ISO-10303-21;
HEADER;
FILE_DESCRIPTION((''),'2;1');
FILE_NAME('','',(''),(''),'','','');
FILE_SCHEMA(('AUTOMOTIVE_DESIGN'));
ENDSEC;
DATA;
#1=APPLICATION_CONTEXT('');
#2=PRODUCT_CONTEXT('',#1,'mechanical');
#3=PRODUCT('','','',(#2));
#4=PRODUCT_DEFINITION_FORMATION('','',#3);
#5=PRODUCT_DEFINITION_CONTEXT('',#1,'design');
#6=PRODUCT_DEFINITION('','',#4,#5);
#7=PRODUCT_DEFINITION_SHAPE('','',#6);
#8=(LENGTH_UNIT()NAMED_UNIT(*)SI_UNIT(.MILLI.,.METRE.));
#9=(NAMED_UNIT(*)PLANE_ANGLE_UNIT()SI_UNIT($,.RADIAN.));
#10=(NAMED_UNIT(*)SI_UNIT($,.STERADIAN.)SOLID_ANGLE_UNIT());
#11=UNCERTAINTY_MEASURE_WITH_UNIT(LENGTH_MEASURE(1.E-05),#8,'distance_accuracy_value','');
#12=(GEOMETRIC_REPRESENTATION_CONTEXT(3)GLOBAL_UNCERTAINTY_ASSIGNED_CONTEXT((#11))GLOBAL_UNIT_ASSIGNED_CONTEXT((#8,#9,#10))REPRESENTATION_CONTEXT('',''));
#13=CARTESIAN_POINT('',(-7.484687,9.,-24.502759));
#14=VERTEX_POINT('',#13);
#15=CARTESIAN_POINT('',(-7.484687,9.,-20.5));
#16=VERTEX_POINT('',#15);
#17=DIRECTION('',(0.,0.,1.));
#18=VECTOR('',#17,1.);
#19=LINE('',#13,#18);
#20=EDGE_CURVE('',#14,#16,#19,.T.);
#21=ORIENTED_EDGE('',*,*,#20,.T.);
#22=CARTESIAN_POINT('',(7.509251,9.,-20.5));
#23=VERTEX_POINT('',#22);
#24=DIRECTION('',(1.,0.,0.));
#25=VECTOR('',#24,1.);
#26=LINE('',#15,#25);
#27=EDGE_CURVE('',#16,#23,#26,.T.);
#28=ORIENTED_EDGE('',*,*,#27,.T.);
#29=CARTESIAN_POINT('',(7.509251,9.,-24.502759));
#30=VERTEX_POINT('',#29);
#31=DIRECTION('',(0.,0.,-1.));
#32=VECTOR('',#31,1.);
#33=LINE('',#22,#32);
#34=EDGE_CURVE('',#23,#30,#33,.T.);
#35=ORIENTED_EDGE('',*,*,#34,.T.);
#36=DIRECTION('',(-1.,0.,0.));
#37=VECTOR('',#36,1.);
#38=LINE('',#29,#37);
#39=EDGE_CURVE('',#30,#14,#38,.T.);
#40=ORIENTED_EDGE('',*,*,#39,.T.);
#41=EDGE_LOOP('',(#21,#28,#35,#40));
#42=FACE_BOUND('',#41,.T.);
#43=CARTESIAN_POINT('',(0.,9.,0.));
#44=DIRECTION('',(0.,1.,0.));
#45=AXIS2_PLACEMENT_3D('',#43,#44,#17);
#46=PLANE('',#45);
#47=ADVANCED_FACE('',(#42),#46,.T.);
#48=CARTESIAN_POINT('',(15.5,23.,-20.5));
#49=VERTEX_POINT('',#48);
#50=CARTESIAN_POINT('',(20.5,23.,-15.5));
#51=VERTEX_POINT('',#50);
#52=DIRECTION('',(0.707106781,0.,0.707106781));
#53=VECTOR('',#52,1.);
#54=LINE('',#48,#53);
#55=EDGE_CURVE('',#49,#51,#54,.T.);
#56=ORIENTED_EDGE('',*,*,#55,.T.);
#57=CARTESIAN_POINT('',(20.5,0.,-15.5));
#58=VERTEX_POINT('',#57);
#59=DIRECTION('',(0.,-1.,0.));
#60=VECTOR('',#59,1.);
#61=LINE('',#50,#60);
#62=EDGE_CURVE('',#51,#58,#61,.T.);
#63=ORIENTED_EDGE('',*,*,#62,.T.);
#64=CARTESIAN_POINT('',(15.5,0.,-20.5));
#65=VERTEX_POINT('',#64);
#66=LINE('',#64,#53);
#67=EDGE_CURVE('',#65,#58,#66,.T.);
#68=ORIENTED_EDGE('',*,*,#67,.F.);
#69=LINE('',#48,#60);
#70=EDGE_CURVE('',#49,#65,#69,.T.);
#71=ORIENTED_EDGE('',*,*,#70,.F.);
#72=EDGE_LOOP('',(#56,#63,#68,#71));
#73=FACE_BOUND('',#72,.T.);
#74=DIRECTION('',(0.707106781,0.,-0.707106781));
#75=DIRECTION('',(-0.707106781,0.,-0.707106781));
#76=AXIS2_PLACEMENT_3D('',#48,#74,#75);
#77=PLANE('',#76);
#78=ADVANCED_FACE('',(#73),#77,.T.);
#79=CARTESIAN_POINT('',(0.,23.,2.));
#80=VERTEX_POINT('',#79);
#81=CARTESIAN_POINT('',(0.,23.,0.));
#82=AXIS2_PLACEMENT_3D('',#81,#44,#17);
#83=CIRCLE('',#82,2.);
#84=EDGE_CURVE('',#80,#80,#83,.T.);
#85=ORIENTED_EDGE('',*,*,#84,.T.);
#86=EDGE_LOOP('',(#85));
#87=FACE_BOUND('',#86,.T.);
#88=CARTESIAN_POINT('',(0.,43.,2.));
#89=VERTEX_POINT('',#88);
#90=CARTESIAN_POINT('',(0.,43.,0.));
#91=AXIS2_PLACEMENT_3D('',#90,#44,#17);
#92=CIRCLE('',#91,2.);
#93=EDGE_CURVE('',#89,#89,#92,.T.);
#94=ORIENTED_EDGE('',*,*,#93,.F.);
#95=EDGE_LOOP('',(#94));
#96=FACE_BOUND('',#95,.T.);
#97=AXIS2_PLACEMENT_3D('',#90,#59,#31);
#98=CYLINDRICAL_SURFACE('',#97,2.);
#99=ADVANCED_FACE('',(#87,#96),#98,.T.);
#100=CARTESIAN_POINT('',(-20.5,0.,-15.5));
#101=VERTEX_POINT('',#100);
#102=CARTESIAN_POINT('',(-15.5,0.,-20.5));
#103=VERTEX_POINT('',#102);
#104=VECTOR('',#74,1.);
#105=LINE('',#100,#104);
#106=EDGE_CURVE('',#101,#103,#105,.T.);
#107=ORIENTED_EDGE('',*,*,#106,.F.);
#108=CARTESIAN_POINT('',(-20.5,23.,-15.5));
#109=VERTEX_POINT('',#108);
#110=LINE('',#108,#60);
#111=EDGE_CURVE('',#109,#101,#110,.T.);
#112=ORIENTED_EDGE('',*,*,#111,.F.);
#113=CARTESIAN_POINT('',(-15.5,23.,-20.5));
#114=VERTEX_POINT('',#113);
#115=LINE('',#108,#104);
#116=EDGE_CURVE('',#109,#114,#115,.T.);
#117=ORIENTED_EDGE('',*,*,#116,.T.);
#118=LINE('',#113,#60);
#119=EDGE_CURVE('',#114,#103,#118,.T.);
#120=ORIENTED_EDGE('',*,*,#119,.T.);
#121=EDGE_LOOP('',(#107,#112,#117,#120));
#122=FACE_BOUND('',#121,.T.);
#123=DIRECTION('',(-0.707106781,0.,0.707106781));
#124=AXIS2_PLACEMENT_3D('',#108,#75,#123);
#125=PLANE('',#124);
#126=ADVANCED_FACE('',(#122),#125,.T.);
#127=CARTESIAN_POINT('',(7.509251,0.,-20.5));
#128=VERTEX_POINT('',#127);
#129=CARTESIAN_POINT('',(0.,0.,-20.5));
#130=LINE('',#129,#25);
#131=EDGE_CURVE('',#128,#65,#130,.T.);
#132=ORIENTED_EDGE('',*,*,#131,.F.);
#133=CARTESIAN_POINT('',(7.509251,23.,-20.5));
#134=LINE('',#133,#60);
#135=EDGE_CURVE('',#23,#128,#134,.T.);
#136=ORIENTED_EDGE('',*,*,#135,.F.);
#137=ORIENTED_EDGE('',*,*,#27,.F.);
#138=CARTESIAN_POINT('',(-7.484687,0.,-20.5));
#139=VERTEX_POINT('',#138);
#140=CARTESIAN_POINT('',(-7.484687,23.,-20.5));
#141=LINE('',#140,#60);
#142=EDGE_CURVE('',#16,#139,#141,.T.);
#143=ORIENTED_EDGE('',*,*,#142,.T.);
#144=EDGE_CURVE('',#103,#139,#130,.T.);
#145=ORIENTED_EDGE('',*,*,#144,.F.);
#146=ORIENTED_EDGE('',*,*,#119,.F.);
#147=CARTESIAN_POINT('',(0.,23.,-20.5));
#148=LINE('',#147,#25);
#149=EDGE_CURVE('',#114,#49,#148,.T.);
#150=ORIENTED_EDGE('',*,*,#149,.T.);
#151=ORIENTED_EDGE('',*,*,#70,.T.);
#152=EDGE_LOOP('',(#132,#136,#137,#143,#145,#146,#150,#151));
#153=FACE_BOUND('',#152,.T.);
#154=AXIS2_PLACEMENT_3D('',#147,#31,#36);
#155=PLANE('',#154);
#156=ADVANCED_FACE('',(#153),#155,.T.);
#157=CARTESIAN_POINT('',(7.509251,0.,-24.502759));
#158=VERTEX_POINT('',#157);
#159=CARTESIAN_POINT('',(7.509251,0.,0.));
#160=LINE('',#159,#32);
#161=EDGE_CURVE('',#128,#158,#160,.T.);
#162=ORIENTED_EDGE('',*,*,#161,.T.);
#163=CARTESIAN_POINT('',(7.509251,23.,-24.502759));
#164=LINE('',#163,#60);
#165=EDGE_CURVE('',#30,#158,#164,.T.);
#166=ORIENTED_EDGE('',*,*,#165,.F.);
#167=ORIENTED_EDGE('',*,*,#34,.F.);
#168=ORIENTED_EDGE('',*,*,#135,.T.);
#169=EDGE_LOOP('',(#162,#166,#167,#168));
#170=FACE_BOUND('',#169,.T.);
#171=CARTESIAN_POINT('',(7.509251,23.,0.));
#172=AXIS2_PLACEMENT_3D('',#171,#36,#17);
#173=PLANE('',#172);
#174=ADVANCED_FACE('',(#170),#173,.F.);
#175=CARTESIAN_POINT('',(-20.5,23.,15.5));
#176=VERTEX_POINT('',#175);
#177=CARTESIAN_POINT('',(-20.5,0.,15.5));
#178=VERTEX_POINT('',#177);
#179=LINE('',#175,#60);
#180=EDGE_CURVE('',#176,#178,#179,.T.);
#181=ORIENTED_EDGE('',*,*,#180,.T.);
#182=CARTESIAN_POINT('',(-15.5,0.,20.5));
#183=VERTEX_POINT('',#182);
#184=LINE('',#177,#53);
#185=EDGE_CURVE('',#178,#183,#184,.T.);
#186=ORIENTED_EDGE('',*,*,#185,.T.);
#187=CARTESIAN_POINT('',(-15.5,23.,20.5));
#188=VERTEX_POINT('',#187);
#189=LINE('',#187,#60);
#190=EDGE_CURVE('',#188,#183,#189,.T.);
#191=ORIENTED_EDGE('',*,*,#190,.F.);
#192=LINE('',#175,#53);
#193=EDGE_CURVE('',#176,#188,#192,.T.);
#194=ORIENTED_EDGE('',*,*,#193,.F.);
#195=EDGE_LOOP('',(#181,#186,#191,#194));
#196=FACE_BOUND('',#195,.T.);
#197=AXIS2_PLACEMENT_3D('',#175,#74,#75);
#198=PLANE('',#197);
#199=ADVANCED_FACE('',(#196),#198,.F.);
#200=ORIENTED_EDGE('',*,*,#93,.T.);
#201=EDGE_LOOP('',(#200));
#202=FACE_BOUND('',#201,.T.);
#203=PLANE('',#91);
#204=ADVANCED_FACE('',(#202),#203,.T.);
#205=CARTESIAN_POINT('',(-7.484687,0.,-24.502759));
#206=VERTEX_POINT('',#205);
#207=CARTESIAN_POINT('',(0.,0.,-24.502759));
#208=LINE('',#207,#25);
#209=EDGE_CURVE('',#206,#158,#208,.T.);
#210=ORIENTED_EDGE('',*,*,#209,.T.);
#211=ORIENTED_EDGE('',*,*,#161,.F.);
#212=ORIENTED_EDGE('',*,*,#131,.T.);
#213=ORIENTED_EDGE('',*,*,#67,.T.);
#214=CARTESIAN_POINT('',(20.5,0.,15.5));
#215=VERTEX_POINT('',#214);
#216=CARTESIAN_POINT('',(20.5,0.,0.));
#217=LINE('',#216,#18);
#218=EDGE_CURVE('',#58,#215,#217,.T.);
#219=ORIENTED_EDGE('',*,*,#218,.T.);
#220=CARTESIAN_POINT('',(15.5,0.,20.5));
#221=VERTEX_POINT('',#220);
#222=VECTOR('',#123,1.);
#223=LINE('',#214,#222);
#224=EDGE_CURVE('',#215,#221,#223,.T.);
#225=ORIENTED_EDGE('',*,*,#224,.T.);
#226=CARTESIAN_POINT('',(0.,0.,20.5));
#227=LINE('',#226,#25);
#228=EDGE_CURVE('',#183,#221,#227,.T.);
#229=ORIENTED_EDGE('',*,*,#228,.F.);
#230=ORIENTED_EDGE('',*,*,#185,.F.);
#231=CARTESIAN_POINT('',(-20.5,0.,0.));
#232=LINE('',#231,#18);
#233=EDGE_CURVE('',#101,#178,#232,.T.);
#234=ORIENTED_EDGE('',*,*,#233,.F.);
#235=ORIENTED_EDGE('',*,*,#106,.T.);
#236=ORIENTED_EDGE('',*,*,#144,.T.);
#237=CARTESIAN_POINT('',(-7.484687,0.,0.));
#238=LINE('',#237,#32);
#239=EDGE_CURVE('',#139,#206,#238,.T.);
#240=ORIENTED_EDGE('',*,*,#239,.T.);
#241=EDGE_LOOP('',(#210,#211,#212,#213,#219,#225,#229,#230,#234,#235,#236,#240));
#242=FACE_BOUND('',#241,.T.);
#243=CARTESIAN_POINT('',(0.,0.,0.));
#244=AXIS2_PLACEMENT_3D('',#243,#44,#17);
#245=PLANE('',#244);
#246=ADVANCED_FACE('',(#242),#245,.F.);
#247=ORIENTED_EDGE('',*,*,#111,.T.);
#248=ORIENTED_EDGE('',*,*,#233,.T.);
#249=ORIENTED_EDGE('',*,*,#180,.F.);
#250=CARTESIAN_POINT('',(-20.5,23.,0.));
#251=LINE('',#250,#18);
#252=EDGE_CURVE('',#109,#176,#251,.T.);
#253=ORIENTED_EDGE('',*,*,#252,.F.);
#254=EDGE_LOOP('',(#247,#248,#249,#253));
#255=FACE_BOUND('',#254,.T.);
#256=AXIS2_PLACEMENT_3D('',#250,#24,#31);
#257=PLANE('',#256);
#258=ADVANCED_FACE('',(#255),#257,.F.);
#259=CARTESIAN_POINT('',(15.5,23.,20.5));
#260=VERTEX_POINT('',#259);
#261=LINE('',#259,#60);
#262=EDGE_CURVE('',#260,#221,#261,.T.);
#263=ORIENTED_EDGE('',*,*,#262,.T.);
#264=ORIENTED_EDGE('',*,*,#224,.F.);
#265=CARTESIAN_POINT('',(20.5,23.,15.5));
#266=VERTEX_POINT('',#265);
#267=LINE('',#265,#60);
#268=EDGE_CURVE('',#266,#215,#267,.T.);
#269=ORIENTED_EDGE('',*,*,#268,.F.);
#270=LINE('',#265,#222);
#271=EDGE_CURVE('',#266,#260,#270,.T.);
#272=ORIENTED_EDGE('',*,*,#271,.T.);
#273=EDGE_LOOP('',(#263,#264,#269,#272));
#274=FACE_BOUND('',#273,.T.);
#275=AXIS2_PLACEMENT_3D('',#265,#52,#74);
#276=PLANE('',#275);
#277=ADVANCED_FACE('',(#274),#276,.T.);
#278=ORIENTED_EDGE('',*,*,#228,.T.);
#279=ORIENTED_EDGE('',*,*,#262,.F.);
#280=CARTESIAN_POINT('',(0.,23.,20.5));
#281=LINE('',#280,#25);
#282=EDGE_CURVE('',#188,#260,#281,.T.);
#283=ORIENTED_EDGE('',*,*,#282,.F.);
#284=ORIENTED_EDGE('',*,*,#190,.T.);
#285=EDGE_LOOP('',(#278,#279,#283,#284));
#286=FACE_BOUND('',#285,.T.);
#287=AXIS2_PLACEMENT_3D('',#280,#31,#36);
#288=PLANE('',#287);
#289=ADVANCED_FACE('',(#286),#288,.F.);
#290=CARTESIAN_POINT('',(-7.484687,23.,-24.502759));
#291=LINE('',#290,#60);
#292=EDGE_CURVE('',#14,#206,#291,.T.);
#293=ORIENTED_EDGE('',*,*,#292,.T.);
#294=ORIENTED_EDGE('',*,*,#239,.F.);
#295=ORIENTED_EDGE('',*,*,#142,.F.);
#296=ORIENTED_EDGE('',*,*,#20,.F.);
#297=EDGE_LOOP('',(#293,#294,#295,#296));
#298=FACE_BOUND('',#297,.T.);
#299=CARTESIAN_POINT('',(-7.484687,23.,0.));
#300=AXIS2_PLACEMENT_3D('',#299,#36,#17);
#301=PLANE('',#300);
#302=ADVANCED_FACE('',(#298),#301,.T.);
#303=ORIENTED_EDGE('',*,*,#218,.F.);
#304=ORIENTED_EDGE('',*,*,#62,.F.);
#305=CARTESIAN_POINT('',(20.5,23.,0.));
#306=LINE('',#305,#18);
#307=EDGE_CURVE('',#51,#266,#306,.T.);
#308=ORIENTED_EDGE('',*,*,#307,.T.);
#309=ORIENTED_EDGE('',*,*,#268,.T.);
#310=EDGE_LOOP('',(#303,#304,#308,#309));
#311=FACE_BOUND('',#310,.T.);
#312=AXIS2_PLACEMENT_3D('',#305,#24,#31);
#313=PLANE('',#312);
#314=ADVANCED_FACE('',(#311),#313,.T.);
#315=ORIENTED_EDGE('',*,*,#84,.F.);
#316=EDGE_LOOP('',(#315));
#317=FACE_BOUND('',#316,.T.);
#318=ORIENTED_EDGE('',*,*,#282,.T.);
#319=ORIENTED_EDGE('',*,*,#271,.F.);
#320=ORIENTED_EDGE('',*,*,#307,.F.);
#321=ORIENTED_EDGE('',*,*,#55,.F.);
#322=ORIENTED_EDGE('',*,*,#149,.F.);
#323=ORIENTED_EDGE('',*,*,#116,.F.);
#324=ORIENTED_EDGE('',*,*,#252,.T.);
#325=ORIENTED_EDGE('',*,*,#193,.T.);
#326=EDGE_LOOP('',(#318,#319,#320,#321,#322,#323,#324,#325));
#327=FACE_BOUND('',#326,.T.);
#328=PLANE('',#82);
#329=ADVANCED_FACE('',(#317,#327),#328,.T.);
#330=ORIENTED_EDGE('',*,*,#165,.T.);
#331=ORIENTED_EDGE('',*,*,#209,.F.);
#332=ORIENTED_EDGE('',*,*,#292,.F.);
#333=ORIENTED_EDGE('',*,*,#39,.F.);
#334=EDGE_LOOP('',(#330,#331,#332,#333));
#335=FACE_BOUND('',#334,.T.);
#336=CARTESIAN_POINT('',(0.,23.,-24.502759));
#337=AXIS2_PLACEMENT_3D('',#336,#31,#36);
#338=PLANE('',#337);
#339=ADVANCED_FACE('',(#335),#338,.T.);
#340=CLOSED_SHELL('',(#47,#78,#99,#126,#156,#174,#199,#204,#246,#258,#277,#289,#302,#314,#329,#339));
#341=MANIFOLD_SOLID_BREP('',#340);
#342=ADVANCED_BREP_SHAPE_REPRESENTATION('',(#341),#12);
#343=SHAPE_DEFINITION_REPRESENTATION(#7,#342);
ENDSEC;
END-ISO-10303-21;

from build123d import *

# Parameters (mm, degrees)
SKETCH2_W            = 41
SKETCH2_H            = 41
SKETCH2_W_2          = 14.993938253
SKETCH2_H_2          = 4.00275912
BOSS_EXTRUDE7_DEPTH  = 23
CUT_EXTRUDE1_DEPTH   = 23
CUT_EXTRUDE3_DEPTH   = 23
SKETCH8_W            = 14.993938253
SKETCH8_H            = 4.00275912
CUT_EXTRUDE4_DEPTH   = 14
SKETCH3_R            = 2
BOSS_EXTRUDE11_DEPTH = 20


with BuildPart() as part:
    # Sketch2 → Boss-Extrude7 (new body)
    with BuildSketch(Plane(origin=(0, 0, 0), x_dir=(1, 0, 0), z_dir=(0, 1, 0))):
        Rectangle(SKETCH2_W, SKETCH2_H)
        with Locations((0.012281963, 22.50137956)):
            Rectangle(SKETCH2_W_2, SKETCH2_H_2)
    extrude(amount=BOSS_EXTRUDE7_DEPTH)

    # Sketch6 → Cut-Extrude1 (cut)
    with BuildSketch(Plane(origin=(0, 0, 0), x_dir=(1, 0, 0), z_dir=(0, 1, 0))):
        Polygon((-20.5, 20.5), (-15.5, 20.5), (-20.5, 15.5), align=None)
    extrude(amount=CUT_EXTRUDE1_DEPTH, mode=Mode.SUBTRACT)

    # Sketch7 → Cut-Extrude3 (cut)
    with BuildSketch(Plane(origin=(0, 0, 0), x_dir=(1, 0, 0), z_dir=(0, 1, 0))):
        Polygon((-20.5, -20.5), (-20.5, -15.5), (-15.5, -20.5), align=None)
        Polygon((20.5, -20.5), (15.5, -20.5), (20.5, -15.5), align=None)
        Polygon((20.5, 20.5), (20.5, 15.5), (15.5, 20.5), align=None)
    extrude(amount=CUT_EXTRUDE3_DEPTH, mode=Mode.SUBTRACT)

    # Sketch8 → Cut-Extrude4 (cut)
    with BuildSketch(Plane(origin=(0, 23, 0), x_dir=(1, 0, 0), z_dir=(0, 1, 0))):
        with Locations((0.012281963, 22.50137956)):
            Rectangle(SKETCH8_W, SKETCH8_H)
    extrude(amount=-CUT_EXTRUDE4_DEPTH, mode=Mode.SUBTRACT)

    # Sketch3 → Boss-Extrude11 (add)
    with BuildSketch(Plane(origin=(0, 23, 0), x_dir=(1, 0, 0), z_dir=(0, 1, 0))):
        Circle(SKETCH3_R)
    extrude(amount=BOSS_EXTRUDE11_DEPTH)


solid = part.part
